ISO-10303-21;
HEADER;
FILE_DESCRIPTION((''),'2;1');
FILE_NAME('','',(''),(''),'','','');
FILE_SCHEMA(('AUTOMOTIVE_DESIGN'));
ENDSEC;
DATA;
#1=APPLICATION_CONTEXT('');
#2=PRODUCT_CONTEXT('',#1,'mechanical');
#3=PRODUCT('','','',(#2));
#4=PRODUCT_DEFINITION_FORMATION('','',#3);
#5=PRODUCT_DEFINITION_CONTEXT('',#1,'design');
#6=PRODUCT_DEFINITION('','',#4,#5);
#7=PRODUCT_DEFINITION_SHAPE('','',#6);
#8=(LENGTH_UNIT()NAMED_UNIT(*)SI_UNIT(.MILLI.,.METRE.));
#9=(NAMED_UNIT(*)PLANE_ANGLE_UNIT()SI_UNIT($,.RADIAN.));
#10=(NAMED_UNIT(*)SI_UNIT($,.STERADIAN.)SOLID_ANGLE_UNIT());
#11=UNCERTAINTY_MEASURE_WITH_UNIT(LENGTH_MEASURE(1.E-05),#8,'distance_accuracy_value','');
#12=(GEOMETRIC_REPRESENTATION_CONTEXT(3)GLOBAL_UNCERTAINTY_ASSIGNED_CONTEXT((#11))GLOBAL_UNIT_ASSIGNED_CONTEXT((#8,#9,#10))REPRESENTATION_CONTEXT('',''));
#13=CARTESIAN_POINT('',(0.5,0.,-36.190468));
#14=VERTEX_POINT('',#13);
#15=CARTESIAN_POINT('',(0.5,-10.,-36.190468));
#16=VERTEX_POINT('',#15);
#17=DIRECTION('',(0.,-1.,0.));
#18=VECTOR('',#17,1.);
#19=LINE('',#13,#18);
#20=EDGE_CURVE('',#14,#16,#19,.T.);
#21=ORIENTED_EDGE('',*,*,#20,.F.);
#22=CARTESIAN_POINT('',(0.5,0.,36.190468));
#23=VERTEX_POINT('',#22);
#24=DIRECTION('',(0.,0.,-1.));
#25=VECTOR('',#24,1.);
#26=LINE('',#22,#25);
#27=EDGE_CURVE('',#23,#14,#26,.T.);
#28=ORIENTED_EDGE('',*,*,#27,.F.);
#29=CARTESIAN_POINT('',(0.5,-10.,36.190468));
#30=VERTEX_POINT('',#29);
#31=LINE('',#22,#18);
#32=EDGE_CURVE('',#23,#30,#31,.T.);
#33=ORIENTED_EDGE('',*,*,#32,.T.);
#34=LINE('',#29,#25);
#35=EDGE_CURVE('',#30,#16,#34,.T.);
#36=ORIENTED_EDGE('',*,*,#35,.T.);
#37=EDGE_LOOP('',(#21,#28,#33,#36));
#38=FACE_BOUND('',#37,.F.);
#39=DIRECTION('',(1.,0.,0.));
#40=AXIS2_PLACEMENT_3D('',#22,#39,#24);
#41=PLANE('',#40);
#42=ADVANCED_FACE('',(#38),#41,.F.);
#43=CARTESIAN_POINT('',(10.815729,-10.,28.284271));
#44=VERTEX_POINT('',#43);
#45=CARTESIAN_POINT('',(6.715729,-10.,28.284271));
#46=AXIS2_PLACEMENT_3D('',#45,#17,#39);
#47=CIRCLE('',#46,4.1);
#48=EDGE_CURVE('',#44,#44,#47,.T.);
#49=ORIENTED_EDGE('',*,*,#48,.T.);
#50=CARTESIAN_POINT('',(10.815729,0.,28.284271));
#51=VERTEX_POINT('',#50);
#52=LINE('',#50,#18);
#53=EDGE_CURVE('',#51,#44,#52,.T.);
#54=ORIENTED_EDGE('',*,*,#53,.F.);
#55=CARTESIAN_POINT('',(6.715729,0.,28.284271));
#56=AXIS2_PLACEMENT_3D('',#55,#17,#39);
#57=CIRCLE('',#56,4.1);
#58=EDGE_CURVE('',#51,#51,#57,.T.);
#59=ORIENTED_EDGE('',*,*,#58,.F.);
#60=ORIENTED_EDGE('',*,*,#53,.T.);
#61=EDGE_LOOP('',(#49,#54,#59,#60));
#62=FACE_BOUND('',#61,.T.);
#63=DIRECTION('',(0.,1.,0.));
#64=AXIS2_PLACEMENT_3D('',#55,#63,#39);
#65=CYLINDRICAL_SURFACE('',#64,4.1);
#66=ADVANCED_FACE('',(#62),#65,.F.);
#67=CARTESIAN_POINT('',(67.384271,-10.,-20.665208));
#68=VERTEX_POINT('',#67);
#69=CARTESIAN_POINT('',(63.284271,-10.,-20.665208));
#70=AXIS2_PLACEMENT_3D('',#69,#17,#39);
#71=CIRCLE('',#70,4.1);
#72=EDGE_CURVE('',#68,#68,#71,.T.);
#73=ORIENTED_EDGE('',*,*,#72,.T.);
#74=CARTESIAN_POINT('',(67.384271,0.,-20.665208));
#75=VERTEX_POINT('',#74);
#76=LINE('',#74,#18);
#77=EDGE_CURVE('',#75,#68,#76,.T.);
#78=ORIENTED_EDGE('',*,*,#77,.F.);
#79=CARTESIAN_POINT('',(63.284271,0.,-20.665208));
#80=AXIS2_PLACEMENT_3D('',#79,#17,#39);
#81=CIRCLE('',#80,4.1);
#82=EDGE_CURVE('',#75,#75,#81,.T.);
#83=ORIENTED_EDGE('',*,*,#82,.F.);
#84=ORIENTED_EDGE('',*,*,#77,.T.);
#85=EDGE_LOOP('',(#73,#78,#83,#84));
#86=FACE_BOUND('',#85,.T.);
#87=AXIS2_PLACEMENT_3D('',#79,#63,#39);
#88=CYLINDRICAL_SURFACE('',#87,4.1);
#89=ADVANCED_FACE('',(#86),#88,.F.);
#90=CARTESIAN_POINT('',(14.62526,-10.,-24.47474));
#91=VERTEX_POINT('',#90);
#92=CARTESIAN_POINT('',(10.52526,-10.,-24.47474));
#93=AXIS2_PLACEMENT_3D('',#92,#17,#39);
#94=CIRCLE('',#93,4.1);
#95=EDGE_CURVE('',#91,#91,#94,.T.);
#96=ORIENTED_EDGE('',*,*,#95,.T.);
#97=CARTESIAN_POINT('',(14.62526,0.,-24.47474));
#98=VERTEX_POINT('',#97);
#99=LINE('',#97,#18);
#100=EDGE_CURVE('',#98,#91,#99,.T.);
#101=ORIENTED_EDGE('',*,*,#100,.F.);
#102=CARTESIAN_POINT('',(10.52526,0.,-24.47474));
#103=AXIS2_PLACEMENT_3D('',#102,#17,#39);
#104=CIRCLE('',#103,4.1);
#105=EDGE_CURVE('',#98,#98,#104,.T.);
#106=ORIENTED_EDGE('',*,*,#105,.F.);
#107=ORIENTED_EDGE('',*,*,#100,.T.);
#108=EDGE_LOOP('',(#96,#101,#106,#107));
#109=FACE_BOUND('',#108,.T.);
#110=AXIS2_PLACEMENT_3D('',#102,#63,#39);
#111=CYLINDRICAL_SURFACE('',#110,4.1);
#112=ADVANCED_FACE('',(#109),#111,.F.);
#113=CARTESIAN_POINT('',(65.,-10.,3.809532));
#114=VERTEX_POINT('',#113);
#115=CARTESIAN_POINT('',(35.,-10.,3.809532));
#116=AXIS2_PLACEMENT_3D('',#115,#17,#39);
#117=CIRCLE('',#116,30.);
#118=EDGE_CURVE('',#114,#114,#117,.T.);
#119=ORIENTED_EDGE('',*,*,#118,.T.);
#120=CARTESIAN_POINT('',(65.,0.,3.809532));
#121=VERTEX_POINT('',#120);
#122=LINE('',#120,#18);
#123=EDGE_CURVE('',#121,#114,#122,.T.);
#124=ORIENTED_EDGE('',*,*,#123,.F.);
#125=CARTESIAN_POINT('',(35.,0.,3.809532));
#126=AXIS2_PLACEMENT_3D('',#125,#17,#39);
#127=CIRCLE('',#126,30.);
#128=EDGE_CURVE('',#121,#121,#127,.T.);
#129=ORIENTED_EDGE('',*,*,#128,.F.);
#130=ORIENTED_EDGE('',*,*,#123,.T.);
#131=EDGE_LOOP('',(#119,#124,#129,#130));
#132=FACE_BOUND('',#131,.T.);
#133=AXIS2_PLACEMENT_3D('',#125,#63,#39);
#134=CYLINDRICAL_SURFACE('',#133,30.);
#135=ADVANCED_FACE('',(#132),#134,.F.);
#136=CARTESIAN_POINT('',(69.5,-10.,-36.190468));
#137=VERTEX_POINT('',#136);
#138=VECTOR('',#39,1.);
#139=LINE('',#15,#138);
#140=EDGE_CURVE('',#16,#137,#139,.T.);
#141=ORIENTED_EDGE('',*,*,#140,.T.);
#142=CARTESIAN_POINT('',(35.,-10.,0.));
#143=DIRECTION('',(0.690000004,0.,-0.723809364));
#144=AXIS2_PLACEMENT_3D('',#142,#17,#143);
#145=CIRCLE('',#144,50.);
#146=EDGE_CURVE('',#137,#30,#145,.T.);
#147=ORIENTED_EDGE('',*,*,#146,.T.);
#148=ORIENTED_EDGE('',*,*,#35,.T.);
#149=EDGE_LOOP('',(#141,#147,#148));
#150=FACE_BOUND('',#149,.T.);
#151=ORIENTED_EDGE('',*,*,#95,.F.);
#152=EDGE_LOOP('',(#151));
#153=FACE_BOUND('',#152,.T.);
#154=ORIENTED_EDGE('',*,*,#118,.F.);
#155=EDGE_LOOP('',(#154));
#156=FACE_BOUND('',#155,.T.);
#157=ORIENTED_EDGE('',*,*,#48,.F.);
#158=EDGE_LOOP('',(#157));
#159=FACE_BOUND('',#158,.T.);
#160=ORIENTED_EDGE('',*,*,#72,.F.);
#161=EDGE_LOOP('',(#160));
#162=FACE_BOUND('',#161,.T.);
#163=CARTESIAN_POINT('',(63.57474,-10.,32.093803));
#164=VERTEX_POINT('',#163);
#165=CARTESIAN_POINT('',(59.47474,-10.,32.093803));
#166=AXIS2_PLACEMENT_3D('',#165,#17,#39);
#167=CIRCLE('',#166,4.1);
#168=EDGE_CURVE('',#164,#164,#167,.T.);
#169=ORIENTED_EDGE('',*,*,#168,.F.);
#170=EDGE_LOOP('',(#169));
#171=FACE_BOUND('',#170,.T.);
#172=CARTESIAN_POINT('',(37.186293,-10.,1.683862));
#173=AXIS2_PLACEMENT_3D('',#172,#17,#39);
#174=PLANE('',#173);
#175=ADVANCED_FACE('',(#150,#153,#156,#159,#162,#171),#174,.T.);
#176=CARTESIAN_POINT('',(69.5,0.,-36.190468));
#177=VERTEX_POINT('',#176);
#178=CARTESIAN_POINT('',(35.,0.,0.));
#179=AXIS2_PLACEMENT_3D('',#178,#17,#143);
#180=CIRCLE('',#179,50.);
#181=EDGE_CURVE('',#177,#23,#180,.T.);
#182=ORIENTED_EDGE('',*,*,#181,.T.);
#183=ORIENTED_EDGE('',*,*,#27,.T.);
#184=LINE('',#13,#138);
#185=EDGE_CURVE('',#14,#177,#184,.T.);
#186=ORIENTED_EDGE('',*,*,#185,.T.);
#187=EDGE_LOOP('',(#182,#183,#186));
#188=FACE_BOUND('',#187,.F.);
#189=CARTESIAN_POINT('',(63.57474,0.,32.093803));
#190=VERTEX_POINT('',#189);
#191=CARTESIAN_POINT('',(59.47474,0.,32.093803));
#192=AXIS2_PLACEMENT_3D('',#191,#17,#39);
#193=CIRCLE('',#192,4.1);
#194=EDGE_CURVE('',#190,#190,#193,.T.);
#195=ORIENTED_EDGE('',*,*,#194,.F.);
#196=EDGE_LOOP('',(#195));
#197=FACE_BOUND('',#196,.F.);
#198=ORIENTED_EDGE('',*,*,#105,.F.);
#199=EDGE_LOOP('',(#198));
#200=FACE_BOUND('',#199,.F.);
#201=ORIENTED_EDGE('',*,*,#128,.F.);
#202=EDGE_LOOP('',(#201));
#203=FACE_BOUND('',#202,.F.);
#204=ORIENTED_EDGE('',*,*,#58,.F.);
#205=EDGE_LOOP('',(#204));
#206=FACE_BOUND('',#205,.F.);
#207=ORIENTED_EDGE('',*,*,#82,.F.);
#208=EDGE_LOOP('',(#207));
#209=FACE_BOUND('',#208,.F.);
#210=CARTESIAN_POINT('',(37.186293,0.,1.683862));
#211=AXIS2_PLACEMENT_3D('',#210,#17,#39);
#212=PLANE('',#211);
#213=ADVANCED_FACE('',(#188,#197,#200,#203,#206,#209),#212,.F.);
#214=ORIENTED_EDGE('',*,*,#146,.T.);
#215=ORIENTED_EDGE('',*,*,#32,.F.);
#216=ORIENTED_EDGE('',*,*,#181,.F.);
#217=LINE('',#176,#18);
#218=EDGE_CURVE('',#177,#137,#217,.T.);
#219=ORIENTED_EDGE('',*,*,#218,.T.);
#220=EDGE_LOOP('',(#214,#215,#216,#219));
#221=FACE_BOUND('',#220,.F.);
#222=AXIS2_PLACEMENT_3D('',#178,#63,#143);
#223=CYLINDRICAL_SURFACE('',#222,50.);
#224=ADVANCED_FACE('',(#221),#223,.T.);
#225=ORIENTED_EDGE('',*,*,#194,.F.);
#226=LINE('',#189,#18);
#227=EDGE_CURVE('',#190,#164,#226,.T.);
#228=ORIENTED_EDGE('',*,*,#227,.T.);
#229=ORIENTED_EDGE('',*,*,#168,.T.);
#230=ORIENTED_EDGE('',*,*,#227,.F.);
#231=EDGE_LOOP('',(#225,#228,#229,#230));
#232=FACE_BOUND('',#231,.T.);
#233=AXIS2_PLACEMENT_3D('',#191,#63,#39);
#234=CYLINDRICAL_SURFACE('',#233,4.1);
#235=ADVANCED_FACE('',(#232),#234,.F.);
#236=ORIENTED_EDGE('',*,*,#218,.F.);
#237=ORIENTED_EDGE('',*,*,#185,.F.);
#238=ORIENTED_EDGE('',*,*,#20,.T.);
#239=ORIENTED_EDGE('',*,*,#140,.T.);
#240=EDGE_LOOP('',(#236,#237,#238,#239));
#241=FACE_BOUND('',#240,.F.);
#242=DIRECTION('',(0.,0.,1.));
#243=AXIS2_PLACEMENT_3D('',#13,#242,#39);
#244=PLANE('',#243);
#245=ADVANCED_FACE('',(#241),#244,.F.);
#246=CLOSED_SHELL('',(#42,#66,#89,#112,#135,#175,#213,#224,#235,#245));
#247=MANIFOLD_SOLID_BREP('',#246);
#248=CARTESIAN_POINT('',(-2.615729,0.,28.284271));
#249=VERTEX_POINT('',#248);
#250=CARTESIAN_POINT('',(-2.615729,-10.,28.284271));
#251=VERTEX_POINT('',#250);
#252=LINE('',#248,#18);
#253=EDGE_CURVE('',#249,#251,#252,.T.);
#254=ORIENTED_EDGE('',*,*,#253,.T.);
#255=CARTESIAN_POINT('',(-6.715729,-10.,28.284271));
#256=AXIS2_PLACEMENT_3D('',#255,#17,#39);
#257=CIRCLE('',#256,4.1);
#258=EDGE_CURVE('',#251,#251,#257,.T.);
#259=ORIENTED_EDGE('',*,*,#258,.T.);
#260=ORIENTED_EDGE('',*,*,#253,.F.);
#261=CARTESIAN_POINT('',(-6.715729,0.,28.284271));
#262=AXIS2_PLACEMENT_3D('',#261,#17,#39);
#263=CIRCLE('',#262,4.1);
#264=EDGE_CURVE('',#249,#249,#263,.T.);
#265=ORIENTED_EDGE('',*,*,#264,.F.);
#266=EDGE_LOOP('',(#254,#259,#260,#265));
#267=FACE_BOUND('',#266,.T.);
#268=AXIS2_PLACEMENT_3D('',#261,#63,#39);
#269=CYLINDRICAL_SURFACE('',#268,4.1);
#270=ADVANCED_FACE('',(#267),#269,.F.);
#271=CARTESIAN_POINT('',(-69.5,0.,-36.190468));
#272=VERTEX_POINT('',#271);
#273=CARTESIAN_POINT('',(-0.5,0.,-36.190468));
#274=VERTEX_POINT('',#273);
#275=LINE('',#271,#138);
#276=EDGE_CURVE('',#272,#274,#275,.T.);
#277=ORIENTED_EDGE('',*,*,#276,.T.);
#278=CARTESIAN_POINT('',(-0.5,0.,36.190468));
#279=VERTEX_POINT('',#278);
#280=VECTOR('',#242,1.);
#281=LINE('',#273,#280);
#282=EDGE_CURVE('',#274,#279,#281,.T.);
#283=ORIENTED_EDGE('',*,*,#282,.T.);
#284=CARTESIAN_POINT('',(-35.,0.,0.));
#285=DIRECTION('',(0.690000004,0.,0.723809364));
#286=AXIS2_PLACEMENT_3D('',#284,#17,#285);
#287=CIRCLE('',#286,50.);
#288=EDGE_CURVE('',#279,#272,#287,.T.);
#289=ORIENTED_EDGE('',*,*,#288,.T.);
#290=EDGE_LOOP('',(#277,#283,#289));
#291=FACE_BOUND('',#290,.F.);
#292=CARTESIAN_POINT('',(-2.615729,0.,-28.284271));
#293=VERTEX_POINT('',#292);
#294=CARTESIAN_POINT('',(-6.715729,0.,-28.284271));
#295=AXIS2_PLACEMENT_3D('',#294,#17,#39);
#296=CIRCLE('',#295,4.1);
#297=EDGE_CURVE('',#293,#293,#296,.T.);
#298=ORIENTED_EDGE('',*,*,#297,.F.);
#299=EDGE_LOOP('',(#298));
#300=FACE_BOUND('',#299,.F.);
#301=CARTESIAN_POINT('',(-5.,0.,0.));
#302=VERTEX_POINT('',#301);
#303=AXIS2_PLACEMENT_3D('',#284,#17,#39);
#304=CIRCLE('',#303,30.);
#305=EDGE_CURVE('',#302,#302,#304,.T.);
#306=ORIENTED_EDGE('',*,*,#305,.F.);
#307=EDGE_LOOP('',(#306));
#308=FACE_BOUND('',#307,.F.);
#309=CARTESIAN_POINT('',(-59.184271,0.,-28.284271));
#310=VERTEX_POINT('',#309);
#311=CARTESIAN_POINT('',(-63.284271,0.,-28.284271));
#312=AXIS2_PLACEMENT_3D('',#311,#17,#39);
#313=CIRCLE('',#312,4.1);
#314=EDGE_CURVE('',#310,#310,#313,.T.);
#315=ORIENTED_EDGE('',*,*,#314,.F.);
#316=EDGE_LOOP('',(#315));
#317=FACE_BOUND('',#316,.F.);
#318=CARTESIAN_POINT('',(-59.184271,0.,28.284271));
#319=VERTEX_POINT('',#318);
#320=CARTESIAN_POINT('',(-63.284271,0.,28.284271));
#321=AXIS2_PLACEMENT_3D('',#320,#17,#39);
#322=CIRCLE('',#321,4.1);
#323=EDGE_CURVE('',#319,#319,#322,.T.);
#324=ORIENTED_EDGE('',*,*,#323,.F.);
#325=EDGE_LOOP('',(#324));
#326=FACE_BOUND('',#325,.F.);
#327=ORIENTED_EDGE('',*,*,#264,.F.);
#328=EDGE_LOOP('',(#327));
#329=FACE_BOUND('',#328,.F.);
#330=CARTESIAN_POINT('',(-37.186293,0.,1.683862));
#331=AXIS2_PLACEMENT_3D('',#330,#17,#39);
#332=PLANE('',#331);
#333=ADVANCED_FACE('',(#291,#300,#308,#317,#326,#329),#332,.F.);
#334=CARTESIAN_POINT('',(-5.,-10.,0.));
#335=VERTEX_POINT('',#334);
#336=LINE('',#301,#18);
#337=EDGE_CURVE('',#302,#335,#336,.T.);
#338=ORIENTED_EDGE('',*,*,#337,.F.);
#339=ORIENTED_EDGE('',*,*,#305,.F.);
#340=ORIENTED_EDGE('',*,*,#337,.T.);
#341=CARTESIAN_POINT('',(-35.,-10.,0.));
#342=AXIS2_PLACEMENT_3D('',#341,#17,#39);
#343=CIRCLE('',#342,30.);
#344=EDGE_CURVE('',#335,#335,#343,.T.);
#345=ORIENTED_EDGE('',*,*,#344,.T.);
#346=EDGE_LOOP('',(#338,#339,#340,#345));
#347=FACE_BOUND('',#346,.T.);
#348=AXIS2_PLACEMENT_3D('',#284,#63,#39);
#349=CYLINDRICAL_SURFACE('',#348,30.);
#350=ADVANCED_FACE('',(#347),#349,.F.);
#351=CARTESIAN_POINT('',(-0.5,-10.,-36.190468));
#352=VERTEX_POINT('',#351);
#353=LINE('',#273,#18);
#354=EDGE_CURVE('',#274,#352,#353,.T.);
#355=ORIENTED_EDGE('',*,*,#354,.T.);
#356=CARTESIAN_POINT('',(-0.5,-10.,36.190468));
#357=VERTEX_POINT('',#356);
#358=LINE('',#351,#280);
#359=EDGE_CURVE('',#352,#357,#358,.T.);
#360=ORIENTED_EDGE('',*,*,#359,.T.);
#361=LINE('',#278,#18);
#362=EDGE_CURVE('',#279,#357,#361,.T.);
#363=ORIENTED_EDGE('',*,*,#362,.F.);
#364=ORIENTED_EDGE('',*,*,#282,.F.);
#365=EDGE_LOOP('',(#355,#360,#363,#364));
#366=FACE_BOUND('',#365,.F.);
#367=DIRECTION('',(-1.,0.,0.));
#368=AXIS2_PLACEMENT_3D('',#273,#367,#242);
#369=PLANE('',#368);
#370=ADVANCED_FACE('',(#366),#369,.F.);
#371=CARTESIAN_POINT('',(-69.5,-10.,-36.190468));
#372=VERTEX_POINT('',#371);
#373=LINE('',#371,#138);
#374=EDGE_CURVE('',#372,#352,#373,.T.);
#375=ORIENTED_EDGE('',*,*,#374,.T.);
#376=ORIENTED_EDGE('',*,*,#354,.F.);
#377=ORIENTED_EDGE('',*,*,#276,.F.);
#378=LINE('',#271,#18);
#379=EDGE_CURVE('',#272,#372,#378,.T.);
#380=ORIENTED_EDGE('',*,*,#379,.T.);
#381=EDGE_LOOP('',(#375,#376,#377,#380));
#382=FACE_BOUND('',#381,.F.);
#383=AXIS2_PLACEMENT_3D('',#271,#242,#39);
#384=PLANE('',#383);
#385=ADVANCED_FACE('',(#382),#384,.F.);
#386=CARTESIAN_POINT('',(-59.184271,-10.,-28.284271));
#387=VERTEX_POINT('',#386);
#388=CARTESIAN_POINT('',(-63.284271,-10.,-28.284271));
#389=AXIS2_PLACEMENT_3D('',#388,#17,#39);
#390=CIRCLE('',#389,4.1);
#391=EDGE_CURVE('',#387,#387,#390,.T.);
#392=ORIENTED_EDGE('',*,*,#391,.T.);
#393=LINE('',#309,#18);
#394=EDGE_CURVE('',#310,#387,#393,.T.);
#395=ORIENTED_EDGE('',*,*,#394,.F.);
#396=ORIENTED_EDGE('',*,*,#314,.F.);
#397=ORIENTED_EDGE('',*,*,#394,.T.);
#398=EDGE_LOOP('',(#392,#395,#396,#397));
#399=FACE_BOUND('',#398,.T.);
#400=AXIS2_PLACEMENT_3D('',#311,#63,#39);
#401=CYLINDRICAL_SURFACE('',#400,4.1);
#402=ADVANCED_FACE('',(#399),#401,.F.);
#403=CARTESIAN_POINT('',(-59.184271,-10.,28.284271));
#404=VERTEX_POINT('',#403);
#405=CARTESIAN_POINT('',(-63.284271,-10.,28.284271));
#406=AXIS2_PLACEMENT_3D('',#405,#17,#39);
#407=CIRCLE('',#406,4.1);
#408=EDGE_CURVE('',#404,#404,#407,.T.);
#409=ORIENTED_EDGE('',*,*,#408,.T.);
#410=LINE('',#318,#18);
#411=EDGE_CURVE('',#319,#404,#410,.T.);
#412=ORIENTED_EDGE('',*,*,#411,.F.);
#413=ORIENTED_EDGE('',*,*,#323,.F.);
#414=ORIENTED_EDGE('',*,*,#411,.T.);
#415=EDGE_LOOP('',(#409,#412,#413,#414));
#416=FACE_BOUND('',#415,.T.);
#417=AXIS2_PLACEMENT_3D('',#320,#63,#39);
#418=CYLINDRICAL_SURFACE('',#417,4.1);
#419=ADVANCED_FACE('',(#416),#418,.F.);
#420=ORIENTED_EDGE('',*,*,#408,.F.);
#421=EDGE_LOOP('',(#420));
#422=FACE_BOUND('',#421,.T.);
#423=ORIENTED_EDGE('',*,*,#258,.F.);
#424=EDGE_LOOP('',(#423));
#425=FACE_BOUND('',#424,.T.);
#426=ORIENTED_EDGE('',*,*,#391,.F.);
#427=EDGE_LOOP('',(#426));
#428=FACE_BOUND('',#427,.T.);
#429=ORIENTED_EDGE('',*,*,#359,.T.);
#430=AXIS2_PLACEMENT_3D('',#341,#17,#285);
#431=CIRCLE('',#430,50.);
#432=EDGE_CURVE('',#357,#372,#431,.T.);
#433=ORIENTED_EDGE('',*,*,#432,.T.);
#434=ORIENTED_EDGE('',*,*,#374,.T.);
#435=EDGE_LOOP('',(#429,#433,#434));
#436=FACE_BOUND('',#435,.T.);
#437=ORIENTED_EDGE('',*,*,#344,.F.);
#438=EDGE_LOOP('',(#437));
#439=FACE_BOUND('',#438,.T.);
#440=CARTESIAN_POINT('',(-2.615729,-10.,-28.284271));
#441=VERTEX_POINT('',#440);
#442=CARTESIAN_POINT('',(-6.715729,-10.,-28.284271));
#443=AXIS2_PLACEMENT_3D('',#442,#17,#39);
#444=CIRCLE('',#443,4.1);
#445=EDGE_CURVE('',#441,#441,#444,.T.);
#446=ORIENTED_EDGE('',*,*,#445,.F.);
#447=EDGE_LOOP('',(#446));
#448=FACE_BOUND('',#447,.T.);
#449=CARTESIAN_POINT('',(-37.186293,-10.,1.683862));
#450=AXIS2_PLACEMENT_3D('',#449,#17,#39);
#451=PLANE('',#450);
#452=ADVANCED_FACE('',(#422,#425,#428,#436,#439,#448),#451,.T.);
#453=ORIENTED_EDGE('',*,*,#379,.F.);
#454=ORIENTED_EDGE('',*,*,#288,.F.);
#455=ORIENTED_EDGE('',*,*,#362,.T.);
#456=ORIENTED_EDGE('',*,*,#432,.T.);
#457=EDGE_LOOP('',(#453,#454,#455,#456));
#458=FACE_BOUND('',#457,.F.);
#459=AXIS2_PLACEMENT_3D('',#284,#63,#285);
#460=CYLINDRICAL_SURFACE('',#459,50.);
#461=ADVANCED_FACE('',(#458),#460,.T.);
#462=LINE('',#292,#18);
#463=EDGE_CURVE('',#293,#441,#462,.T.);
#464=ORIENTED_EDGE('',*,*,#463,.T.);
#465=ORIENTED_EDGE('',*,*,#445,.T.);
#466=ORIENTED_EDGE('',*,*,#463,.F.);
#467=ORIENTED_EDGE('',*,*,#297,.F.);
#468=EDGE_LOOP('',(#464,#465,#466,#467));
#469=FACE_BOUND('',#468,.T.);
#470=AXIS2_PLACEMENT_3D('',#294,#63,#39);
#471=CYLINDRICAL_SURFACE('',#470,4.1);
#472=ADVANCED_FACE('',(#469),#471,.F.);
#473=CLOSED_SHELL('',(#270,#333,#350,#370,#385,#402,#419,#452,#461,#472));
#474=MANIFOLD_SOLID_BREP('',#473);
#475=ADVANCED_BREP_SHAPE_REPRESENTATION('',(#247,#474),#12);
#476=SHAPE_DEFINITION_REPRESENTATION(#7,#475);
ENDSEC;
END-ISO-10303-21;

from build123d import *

# Parameters (mm, degrees)
F0_R     = 4.1
F0_R_2   = 30
F1_DEPTH = 10


with BuildPart() as f1:
    # F0 (on Front) → F1 (new body)
    with BuildSketch(Plane.XZ):
        with BuildLine():
            Line((-0.5, -36.190468), (-0.5, 36.190468))
            ThreePointArc((-0.5, 36.190468), (-71.190468, 34.5), (-69.5, -36.190468))
            Line((-69.5, -36.190468), (-0.5, -36.190468))
        make_face()
        with Locations((-63.284271, -28.284271)):
            Circle(F0_R, mode=Mode.SUBTRACT)
        with Locations((-6.715729, -28.284271)):
            Circle(F0_R, mode=Mode.SUBTRACT)
        with Locations((-35, 0)):
            Circle(F0_R_2, mode=Mode.SUBTRACT)
        with Locations((-63.284271, 28.284271)):
            Circle(F0_R, mode=Mode.SUBTRACT)
        with Locations((-6.715729, 28.284271)):
            Circle(F0_R, mode=Mode.SUBTRACT)
        with BuildLine():
            Line((0.5, -36.190468), (69.5, -36.190468))
            ThreePointArc((69.5, -36.190468), (71.190468, 34.5), (0.5, 36.190468))
            Line((0.5, 36.190468), (0.5, -36.190468))
        make_face()
        with Locations((10.52526, -24.47474)):
            Circle(F0_R, mode=Mode.SUBTRACT)
        with Locations((63.284271, -20.665208)):
            Circle(F0_R, mode=Mode.SUBTRACT)
        with Locations((35, 3.809532)):
            Circle(F0_R_2, mode=Mode.SUBTRACT)
        with Locations((6.715729, 28.284271)):
            Circle(F0_R, mode=Mode.SUBTRACT)
        with Locations((59.47474, 32.093803)):
            Circle(F0_R, mode=Mode.SUBTRACT)
    extrude(amount=F1_DEPTH)


solid = f1.part
